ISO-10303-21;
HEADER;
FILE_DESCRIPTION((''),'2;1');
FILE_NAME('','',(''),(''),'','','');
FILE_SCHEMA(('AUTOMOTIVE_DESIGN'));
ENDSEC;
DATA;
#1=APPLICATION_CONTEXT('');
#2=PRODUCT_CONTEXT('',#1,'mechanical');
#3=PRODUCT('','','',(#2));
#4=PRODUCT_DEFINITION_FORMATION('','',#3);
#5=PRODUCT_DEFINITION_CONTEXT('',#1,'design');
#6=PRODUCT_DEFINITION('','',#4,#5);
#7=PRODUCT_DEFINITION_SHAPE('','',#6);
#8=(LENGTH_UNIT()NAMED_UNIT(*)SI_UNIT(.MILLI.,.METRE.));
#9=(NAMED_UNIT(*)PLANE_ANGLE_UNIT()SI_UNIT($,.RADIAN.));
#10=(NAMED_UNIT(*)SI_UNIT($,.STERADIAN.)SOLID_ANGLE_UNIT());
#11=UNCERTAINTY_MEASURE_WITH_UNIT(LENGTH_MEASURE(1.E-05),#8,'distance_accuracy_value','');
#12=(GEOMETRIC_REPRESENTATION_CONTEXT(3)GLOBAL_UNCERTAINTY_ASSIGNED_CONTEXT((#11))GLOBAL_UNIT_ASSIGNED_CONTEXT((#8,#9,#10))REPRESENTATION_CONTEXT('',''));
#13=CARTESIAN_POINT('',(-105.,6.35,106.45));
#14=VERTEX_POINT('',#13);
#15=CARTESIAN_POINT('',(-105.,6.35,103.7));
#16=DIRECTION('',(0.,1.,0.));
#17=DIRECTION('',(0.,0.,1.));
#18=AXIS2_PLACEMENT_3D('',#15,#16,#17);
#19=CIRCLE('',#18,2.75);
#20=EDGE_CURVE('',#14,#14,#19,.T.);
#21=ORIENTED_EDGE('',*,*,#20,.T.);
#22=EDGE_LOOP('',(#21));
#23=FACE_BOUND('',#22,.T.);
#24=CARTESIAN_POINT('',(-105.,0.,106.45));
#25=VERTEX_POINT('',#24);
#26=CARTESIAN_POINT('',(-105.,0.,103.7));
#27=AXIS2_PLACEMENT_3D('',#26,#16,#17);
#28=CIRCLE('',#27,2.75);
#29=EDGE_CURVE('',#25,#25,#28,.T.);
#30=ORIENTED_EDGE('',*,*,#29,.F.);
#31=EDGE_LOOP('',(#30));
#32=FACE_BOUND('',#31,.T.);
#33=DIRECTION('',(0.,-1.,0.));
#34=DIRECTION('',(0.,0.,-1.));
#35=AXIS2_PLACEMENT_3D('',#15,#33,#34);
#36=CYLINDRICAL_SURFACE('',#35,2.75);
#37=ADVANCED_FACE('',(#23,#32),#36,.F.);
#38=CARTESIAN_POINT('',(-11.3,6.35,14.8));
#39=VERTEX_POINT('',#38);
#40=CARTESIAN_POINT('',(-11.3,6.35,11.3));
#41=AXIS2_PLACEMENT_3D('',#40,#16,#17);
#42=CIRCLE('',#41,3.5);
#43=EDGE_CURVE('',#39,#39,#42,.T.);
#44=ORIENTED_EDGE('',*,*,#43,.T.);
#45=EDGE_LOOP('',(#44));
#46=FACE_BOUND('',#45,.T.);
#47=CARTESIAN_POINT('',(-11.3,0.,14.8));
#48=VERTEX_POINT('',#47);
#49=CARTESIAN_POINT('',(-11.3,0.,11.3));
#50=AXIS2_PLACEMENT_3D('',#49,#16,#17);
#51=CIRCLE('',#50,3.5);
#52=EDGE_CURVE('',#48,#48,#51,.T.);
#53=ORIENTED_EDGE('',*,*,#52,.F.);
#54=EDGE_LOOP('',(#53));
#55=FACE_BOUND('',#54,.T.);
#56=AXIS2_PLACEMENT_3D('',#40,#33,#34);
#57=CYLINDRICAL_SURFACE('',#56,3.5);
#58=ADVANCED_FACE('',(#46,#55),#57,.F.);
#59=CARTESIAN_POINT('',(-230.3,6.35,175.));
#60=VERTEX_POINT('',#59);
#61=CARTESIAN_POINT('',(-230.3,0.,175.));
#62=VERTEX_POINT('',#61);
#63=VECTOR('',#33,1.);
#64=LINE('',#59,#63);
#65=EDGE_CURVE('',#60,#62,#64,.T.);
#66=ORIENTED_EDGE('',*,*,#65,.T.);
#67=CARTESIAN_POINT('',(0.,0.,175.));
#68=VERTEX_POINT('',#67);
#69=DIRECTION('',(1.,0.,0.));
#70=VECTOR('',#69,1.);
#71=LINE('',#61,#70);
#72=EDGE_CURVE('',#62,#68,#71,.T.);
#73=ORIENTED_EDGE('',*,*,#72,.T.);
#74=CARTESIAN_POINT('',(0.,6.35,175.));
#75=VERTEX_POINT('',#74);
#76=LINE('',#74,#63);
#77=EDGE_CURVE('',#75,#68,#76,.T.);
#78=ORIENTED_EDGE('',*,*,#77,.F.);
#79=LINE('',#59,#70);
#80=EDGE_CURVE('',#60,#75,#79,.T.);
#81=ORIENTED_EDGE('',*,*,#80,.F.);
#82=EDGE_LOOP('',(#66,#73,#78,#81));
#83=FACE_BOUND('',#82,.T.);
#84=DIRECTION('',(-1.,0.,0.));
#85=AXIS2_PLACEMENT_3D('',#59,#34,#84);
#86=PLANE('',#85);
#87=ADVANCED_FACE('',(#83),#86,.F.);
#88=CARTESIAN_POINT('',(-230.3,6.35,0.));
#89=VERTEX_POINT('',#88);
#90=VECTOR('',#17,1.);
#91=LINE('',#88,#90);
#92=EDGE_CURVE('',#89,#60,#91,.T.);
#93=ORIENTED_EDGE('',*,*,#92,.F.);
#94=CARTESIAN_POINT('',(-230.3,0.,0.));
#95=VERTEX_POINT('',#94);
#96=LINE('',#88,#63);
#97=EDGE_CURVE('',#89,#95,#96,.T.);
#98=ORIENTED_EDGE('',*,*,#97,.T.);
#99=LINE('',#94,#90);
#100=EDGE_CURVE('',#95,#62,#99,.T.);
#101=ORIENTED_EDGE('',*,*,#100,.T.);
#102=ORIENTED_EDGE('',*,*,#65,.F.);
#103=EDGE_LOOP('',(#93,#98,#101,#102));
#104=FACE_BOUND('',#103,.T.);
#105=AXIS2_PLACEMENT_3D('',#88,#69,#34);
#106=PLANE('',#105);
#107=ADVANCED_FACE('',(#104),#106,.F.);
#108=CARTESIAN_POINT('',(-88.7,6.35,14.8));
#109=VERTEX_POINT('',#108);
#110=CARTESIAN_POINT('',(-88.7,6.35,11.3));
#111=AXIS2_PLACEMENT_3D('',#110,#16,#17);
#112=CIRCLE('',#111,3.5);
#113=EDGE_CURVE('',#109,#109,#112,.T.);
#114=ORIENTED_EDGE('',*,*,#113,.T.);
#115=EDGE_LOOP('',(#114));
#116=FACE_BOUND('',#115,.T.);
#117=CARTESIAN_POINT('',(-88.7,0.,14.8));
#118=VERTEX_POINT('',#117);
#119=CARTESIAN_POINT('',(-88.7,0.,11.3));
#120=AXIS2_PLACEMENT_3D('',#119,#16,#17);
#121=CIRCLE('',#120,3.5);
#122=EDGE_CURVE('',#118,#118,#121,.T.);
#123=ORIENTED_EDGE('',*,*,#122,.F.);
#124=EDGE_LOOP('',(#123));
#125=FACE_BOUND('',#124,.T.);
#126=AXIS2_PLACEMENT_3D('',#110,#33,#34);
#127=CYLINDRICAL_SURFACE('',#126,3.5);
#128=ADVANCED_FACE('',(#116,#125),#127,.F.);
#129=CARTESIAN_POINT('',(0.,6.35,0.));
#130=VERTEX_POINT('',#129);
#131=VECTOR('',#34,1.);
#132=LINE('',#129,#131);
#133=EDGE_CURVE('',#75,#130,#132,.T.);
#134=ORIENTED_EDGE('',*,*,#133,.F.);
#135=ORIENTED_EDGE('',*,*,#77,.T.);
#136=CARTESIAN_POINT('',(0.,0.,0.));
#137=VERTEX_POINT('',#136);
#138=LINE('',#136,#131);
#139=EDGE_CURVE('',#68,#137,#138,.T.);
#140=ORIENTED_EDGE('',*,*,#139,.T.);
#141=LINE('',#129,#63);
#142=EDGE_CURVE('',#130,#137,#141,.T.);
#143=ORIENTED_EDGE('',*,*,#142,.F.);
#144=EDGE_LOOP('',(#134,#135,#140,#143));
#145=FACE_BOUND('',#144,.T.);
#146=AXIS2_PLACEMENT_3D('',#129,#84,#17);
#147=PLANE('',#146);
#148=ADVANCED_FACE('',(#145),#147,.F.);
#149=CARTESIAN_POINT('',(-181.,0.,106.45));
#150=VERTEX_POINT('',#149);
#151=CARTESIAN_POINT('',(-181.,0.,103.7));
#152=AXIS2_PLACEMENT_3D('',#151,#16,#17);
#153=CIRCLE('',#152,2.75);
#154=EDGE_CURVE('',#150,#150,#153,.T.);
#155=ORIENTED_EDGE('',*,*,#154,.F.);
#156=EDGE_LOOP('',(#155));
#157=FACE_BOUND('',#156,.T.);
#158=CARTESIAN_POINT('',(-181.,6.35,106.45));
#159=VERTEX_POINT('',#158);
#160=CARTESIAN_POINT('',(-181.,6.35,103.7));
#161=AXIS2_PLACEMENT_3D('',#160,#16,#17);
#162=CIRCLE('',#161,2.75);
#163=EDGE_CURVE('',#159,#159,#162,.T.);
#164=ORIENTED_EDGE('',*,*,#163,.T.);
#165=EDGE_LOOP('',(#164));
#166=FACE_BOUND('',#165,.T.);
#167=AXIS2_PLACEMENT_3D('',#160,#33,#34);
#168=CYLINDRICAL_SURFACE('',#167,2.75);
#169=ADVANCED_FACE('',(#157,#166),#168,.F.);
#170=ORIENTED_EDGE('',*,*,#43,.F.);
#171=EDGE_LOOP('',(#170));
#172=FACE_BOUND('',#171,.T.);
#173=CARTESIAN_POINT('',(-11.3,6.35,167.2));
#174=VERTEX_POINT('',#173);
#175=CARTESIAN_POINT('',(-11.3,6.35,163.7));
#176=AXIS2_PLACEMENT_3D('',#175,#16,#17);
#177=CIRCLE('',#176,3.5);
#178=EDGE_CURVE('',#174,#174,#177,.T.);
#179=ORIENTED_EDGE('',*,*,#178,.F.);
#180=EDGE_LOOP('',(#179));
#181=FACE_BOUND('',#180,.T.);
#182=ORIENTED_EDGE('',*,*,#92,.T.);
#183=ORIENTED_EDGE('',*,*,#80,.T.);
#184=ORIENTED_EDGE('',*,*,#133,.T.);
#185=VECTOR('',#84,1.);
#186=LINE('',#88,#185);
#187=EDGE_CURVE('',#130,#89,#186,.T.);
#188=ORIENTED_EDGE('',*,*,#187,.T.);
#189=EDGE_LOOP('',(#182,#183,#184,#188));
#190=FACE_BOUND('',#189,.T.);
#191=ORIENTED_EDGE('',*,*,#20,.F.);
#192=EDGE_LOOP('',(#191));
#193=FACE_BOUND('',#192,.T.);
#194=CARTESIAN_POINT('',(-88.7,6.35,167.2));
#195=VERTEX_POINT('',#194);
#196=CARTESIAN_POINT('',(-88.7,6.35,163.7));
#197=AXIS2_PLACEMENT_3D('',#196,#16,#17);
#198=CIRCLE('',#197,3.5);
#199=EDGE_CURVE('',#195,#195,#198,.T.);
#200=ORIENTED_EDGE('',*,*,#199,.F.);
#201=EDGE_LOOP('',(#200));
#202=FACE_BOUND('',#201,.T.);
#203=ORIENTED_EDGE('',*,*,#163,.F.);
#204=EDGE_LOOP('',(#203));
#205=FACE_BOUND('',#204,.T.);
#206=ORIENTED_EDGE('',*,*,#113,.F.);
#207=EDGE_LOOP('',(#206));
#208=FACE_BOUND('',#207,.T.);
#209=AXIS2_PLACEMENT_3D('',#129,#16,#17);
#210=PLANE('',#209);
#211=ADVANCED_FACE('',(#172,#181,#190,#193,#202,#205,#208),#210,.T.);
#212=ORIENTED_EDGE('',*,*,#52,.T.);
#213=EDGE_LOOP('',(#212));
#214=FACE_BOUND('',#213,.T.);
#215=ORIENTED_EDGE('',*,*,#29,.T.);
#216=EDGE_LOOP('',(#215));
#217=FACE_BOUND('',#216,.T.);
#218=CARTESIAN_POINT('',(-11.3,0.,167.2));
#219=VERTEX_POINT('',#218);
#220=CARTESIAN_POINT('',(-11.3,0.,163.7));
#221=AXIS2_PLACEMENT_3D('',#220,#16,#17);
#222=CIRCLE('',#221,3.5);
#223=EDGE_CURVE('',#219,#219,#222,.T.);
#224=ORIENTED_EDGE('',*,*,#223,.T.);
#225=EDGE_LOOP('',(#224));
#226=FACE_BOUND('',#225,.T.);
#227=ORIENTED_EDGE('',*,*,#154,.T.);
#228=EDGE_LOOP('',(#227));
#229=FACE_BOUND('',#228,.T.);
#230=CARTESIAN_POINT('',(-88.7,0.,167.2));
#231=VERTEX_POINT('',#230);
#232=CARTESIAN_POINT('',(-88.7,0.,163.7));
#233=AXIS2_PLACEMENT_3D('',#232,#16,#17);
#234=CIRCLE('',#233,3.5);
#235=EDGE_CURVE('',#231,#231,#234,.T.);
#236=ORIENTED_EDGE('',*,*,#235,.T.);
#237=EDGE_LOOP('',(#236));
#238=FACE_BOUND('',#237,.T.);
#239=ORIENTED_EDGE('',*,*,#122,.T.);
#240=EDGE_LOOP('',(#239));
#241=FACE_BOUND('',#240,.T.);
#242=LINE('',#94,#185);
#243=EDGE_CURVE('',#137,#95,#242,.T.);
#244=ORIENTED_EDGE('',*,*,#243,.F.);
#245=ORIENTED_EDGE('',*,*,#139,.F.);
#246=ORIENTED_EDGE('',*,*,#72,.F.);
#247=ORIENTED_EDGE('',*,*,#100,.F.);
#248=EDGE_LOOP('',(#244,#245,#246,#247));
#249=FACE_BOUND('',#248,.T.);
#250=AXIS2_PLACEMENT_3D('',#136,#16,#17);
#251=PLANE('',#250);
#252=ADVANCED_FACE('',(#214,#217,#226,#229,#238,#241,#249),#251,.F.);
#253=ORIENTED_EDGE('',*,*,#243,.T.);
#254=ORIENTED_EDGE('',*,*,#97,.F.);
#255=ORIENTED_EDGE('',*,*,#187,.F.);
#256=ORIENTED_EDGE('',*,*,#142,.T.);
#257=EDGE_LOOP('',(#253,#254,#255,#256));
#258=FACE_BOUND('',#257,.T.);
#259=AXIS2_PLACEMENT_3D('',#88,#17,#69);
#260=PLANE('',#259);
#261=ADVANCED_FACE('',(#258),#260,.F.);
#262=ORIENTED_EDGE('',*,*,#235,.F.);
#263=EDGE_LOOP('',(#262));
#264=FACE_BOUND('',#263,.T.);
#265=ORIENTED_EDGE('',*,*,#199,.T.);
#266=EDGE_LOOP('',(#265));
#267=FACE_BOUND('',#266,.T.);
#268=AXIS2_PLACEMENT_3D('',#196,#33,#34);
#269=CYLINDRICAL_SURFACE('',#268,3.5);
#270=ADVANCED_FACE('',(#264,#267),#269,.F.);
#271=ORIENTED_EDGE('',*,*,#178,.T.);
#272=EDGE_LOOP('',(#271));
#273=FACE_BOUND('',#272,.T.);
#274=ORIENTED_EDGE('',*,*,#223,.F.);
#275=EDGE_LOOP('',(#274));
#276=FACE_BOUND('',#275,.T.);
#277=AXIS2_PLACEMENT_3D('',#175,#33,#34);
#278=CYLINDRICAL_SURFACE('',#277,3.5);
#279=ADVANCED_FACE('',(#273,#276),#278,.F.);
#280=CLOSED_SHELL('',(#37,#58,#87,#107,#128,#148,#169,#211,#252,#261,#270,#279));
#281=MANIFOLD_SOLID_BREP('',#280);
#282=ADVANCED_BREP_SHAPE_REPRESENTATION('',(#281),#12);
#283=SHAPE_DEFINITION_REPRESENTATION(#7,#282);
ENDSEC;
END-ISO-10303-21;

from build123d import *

# Parameters (mm, degrees)
SKETCH1_W           = 230.3
SKETCH1_H           = 175
SKETCH1_R           = 3.5
SKETCH1_R_2         = 2.75
BOSS_EXTRUDE1_DEPTH = 6.35


with BuildPart() as part:
    # Sketch1 → Boss-Extrude1 (new body)
    with BuildSketch(Plane(origin=(0, 0, 0), x_dir=(1, 0, 0), z_dir=(0, 1, 0))):
        with Locations((-115.15, -87.5)):
            Rectangle(SKETCH1_W, SKETCH1_H)
        with Locations((-88.7, -163.7)):
            Circle(SKETCH1_R, mode=Mode.SUBTRACT)
        with Locations((-11.3, -163.7)):
            Circle(SKETCH1_R, mode=Mode.SUBTRACT)
        with Locations((-11.3, -11.3)):
            Circle(SKETCH1_R, mode=Mode.SUBTRACT)
        with Locations((-88.7, -11.3)):
            Circle(SKETCH1_R, mode=Mode.SUBTRACT)
        with Locations((-105, -103.7)):
            Circle(SKETCH1_R_2, mode=Mode.SUBTRACT)
        with Locations((-181, -103.7)):
            Circle(SKETCH1_R_2, mode=Mode.SUBTRACT)
    extrude(amount=BOSS_EXTRUDE1_DEPTH)


solid = part.part
